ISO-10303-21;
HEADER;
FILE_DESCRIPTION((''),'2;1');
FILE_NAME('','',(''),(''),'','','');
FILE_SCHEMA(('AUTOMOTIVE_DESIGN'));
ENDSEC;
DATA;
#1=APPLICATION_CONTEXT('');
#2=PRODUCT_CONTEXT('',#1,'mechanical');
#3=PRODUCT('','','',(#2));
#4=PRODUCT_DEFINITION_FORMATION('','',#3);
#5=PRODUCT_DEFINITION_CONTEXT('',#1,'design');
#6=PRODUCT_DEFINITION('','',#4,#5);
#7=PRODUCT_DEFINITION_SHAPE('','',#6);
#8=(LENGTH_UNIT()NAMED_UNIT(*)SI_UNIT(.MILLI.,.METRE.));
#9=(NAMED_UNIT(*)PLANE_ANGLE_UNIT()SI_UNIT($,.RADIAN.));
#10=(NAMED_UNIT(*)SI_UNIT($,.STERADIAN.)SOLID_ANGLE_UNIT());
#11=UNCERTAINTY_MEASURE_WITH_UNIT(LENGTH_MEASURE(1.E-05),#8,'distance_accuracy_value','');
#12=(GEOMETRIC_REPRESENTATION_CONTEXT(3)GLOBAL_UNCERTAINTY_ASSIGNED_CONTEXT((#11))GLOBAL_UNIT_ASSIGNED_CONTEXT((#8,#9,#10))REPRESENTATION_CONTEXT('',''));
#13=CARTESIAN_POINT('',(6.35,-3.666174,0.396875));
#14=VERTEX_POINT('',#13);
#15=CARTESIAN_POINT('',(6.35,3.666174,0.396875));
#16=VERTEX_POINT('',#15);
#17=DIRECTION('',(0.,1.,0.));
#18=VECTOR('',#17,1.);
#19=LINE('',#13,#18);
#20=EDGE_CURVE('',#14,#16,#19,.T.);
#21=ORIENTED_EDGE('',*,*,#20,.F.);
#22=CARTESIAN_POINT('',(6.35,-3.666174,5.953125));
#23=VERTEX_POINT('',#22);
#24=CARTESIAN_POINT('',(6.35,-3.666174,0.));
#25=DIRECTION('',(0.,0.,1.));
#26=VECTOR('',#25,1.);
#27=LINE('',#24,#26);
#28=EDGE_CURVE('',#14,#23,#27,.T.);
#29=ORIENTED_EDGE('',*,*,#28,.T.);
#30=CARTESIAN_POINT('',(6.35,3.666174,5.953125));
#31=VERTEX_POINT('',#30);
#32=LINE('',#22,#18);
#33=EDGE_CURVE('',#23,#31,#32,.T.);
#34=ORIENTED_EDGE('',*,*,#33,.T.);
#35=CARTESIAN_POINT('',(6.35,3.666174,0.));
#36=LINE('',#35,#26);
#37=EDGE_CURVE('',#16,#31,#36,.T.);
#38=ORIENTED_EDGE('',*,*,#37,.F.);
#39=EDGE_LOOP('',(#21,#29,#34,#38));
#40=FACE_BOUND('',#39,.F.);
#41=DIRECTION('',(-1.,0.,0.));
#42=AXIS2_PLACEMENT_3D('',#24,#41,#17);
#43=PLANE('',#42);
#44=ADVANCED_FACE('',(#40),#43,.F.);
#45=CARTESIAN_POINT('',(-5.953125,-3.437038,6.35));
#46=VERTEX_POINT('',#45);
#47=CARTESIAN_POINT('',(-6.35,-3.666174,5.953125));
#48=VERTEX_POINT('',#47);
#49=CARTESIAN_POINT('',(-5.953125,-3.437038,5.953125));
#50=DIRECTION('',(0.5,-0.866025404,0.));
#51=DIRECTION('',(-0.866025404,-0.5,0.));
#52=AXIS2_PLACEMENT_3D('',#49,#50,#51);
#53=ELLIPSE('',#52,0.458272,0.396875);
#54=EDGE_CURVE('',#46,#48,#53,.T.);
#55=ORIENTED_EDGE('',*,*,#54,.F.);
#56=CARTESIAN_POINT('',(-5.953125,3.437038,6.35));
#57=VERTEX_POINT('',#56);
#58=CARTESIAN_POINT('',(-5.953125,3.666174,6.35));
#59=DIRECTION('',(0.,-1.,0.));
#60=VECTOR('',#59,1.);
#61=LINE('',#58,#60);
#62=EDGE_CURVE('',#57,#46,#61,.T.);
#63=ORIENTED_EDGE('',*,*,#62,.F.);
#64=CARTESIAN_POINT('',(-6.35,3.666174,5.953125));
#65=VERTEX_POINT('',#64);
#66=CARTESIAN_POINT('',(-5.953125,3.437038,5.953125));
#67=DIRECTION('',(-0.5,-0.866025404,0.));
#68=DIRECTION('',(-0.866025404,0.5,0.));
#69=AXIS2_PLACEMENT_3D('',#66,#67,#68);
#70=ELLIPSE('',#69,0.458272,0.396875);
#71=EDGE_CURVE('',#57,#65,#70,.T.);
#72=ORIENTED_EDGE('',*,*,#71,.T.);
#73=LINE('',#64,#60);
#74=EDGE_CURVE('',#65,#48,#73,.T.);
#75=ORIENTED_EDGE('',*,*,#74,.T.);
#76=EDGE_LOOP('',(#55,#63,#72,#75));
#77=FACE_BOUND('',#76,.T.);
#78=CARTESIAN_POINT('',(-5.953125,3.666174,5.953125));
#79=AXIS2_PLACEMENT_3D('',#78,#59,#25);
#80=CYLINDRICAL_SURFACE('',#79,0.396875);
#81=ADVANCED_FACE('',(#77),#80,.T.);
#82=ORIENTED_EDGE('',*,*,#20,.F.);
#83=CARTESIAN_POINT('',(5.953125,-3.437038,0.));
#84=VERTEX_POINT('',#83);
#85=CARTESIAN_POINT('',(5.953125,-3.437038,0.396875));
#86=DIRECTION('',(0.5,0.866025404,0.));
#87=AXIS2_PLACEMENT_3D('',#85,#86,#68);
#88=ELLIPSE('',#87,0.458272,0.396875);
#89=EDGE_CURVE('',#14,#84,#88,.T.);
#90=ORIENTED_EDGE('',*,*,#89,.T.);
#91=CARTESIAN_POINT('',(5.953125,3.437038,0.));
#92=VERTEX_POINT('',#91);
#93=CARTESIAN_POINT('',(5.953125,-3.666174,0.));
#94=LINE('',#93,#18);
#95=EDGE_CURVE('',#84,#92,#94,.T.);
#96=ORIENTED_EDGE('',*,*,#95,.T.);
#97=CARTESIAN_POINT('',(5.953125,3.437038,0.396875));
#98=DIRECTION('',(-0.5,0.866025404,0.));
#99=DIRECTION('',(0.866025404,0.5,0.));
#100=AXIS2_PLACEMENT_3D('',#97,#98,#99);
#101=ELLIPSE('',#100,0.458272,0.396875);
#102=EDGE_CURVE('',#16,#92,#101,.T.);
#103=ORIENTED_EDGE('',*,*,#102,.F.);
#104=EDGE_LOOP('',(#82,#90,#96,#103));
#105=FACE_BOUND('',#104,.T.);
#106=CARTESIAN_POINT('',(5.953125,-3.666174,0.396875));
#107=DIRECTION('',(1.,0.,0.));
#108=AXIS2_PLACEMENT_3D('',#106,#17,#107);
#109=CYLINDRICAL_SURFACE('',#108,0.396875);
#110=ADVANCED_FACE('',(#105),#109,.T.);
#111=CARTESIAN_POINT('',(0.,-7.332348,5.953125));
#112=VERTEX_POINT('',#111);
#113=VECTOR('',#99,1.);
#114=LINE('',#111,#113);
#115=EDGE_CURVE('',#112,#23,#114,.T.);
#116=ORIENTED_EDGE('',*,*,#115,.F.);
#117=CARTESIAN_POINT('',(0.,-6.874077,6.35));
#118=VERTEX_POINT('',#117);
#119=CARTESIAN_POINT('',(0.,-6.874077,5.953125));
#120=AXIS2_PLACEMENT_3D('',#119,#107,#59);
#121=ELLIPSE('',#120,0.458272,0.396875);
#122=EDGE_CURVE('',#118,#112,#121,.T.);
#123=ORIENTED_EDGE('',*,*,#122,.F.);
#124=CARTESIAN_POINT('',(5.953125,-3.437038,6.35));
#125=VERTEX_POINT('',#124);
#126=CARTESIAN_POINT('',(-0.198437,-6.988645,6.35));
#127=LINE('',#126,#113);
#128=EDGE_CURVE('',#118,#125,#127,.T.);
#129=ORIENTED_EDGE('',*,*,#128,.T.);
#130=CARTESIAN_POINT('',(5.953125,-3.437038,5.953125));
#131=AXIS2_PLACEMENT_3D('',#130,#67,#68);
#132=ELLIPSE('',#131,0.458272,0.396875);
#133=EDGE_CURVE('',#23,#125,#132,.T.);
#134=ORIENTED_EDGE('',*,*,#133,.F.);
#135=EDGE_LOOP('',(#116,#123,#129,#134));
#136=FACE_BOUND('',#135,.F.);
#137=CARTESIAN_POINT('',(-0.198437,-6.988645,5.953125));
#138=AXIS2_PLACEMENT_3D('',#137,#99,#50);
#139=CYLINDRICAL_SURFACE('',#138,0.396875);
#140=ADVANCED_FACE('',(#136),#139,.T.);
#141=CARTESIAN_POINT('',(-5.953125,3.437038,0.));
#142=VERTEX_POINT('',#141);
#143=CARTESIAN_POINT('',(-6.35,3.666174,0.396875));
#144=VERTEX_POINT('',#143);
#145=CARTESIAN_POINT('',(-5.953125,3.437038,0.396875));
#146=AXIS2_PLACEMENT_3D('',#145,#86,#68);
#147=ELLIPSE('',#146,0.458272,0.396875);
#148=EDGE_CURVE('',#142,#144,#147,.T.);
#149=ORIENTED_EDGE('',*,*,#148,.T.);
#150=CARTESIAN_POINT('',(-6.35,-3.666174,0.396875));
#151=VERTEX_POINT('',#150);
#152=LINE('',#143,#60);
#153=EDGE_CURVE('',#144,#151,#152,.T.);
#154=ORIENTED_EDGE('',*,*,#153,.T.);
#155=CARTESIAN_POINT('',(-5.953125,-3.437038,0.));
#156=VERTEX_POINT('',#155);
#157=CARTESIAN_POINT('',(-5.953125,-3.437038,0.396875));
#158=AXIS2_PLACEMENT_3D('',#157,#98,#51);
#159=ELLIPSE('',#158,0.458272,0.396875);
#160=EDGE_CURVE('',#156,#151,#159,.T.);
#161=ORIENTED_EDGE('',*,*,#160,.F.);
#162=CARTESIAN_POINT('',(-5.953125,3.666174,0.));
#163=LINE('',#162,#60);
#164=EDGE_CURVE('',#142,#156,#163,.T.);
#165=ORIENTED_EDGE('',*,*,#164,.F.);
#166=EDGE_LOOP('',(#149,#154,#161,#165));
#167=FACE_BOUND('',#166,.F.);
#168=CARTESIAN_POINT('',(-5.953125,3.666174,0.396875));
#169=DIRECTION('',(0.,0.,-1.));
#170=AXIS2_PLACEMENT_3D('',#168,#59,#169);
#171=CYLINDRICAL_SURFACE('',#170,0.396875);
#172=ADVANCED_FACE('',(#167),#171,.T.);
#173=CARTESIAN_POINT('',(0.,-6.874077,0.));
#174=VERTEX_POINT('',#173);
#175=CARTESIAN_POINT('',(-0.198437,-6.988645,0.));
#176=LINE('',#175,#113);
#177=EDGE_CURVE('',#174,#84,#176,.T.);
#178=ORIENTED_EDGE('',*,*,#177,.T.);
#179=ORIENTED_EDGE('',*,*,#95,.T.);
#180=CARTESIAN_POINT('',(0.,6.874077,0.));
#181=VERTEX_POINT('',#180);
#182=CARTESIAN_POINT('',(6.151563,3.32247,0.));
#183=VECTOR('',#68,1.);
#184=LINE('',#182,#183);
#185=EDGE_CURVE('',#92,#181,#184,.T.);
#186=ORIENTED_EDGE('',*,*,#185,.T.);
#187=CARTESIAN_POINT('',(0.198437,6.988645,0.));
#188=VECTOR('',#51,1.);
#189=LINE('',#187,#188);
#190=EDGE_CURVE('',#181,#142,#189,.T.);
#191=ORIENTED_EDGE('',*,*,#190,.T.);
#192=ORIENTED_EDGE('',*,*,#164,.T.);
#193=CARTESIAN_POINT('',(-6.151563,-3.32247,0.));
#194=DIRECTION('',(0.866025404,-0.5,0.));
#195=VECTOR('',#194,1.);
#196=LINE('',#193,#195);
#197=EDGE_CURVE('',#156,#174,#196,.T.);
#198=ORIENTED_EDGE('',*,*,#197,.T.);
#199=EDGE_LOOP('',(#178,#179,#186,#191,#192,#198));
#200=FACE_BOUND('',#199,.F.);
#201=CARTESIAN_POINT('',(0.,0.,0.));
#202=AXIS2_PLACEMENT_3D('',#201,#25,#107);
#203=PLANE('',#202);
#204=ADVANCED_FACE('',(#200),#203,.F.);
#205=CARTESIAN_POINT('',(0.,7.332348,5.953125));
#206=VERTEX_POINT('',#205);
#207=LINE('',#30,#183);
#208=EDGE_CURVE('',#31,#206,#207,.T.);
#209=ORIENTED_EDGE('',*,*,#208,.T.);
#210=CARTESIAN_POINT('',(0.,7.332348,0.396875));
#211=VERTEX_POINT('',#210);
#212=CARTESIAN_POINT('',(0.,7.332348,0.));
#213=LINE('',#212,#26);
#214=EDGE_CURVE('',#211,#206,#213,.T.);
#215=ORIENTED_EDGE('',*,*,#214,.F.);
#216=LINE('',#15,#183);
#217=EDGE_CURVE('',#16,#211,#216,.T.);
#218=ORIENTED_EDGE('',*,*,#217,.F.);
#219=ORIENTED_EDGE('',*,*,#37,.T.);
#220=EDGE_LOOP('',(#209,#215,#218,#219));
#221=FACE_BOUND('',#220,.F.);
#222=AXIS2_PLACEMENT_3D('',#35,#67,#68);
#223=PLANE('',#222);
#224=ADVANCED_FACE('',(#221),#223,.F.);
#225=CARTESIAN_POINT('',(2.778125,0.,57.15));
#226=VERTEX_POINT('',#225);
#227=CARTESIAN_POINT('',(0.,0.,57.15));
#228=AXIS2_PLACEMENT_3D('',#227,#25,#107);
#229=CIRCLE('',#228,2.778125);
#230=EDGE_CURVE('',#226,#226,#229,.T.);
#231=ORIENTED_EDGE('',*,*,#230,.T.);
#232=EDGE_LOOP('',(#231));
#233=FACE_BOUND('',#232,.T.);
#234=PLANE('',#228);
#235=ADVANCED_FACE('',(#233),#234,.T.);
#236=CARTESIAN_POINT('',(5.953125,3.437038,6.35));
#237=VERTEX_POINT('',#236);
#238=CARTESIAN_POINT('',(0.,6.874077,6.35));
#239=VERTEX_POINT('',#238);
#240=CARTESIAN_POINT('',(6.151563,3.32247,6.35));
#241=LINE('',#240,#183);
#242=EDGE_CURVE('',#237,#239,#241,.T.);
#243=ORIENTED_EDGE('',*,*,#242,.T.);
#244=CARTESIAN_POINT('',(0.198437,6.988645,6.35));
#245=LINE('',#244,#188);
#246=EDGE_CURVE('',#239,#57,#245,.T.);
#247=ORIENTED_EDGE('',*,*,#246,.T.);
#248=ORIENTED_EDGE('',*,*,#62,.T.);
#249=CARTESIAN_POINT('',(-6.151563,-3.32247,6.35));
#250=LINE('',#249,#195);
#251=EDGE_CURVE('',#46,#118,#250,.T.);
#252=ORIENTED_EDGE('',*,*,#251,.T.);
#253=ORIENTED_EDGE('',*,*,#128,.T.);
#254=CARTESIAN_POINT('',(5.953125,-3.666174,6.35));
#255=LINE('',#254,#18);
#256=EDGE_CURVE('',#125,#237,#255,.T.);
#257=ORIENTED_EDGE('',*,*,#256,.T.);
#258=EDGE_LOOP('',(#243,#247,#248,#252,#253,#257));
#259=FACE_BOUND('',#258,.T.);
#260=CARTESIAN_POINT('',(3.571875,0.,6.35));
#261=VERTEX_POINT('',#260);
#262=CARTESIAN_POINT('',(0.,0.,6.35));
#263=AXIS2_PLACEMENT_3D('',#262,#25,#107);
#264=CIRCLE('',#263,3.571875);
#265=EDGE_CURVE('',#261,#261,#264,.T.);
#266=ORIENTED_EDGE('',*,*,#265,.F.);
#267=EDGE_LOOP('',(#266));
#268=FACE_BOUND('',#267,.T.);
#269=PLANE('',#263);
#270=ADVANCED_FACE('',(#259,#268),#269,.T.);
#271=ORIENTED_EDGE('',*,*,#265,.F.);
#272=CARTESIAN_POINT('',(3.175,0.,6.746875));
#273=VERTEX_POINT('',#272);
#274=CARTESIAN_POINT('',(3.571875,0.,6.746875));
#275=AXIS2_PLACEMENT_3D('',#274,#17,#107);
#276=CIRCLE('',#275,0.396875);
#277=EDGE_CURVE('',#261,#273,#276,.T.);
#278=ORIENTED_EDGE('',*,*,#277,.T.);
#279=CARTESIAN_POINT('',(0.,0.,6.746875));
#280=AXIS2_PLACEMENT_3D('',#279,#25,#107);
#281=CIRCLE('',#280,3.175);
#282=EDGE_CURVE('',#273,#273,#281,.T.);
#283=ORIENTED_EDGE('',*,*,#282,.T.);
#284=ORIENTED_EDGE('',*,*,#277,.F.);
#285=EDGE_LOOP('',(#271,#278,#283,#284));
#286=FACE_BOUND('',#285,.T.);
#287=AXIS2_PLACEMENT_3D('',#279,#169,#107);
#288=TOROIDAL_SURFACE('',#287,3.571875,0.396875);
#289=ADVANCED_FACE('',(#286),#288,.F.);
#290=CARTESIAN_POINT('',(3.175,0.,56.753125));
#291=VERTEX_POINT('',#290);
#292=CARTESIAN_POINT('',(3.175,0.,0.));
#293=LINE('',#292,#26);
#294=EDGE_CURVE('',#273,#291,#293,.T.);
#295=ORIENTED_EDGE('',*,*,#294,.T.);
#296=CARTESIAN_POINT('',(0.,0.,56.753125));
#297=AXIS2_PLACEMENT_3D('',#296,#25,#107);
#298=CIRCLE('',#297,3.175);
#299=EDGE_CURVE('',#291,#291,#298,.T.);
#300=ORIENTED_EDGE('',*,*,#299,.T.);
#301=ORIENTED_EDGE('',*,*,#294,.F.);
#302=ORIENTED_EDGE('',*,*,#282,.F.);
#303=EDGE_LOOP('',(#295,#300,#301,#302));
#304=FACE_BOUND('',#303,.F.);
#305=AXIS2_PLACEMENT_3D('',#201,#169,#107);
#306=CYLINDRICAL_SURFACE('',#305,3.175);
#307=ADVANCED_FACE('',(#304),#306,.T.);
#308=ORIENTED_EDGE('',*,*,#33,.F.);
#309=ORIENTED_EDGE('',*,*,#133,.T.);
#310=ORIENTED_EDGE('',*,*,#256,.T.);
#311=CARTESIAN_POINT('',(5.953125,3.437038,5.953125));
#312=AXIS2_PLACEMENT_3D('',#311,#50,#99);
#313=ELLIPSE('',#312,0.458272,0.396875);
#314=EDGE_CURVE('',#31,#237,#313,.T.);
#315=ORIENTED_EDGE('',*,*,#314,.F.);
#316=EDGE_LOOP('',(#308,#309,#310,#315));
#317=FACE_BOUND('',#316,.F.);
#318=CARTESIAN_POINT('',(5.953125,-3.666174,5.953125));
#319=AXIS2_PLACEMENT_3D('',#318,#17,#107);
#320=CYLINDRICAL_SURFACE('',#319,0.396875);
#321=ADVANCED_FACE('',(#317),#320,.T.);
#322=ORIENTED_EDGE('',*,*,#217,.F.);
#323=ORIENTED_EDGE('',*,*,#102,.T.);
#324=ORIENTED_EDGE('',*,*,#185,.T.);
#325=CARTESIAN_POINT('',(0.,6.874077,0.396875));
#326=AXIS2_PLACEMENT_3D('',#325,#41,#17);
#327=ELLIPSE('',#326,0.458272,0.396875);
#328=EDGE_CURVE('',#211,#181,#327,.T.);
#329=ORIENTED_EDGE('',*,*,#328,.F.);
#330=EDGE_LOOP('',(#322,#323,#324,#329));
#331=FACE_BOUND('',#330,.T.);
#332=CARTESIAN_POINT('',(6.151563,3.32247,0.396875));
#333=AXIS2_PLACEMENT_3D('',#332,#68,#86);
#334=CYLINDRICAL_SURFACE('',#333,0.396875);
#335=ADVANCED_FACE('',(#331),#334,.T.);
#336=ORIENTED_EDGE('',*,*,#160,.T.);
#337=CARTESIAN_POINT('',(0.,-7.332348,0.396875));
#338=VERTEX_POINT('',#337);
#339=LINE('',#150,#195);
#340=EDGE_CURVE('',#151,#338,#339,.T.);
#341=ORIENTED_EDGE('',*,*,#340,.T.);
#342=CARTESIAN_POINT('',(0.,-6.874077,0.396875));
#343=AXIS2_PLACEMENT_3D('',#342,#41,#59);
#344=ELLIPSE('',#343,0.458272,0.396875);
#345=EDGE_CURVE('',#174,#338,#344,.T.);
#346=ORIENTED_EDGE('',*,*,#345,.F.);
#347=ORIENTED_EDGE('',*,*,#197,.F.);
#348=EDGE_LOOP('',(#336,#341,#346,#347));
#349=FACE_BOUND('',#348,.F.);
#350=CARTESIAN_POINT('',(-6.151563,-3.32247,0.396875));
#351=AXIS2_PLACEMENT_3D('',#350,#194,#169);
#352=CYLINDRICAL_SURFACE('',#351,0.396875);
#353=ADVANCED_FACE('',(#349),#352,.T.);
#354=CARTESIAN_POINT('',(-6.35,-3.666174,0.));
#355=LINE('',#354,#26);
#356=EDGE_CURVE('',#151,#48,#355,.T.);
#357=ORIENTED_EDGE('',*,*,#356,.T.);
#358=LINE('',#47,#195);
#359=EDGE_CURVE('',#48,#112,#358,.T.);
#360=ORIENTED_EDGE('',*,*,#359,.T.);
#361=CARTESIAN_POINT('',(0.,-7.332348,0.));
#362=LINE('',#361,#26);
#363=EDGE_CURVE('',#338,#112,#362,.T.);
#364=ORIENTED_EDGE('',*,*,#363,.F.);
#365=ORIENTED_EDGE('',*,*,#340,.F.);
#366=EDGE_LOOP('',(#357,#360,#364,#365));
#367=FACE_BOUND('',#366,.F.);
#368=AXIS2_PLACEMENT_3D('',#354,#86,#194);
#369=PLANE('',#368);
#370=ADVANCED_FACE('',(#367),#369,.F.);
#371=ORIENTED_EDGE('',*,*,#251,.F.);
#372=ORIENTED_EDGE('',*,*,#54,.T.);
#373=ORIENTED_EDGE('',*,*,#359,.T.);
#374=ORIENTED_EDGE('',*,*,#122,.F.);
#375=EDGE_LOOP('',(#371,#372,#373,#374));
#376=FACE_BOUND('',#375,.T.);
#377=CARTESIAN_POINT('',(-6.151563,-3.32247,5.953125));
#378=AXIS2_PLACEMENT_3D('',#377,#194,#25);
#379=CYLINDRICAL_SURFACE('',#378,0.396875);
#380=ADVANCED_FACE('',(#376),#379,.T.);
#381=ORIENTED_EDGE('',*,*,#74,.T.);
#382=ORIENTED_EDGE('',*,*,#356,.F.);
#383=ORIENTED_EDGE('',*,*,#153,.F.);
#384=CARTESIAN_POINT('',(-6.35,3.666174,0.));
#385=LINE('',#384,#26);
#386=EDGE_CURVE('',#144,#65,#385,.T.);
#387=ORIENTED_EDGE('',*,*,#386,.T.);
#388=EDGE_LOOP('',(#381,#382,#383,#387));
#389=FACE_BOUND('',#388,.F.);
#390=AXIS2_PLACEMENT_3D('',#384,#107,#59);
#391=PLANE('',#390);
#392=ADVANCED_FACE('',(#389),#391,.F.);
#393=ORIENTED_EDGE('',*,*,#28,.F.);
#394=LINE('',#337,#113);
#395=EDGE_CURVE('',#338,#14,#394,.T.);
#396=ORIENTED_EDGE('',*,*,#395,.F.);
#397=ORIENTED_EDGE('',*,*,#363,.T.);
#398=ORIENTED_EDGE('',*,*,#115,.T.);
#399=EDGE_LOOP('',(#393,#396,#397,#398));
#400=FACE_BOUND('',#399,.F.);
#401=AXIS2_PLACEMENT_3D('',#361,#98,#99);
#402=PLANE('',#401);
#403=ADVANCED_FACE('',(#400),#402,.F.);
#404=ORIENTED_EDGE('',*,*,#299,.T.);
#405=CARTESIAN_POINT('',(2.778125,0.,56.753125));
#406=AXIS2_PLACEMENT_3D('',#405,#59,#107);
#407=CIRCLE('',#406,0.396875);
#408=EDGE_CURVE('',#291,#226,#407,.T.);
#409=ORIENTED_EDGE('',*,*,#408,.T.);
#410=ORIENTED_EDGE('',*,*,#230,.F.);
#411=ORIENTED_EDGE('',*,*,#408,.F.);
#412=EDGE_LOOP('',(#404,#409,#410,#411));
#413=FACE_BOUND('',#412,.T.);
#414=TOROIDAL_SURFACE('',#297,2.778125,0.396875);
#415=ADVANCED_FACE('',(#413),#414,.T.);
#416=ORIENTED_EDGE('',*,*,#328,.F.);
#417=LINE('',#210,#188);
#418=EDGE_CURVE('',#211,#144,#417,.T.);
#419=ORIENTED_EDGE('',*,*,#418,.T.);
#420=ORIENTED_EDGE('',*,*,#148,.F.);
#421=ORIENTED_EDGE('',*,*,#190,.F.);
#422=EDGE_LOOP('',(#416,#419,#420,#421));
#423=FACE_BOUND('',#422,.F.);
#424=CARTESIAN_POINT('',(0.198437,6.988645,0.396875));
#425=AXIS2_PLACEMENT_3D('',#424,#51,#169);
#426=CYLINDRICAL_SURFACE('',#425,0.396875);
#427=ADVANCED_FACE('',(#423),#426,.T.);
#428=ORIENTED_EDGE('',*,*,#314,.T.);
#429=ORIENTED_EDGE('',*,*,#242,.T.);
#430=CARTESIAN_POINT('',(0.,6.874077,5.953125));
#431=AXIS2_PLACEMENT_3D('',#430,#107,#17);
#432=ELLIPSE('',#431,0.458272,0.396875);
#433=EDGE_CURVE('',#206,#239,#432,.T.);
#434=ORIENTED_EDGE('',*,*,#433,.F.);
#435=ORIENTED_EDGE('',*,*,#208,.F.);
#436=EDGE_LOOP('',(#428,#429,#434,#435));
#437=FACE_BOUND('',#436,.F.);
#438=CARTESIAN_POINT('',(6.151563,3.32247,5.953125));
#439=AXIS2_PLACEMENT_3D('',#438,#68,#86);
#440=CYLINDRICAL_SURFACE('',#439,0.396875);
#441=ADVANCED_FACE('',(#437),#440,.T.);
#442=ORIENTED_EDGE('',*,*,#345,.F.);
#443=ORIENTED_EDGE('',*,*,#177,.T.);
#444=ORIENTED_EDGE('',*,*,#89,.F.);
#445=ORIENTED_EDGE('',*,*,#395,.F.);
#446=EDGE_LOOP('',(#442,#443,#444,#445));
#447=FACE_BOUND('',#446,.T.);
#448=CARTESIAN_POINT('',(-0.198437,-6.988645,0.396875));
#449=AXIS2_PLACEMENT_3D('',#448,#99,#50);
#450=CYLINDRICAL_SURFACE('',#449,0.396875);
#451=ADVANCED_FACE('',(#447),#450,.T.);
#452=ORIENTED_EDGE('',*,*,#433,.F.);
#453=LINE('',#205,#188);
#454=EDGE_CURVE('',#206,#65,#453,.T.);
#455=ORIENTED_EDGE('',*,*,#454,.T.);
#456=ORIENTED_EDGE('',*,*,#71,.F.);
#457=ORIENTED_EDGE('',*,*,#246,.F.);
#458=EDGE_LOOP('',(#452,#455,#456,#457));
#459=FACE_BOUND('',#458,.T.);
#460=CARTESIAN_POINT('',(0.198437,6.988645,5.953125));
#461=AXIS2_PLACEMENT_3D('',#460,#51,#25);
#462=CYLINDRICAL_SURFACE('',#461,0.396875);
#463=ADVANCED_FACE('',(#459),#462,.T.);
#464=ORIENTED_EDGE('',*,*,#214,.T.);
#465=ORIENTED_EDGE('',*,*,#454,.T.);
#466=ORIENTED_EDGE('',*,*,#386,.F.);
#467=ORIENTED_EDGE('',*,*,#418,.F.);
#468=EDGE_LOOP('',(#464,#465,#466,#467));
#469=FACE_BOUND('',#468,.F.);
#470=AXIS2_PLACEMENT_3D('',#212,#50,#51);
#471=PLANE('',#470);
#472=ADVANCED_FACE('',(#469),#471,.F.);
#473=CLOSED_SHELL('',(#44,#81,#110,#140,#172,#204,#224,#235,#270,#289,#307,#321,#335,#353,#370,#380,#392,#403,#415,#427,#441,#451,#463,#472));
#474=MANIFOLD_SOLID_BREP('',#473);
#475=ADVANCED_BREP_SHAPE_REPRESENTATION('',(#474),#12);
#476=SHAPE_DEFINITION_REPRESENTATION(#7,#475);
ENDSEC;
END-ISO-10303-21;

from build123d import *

# Parameters (mm, degrees)
F0_R     = 3.175
F1_DEPTH = 57.15
F2_DEPTH = 6.35
F3_R     = 0.396875


with BuildPart() as f1:
    # F0 (on Top) → F1 (new body)
    with BuildSketch(Plane.XY):
        Circle(F0_R)
    extrude(amount=F1_DEPTH)

    # F0 (on Top) → F2 (join)
    with BuildSketch(Plane.XY):
        Polygon((6.35, -3.6661742094), (6.35, 3.6661742094), (0, 7.3323484187), (-6.35, 3.6661742094), (-6.35, -3.6661742094), (0, -7.3323484187), align=None)
        Circle(F0_R, mode=Mode.SUBTRACT)
    extrude(amount=F2_DEPTH)

    # F3
    f3_edges = [f1.edges().sort_by_distance(p)[0] for p in [
        (6.35, 0, 6.35),
        (3.175, 5.499261, 6.35),
        (-3.175, 5.499261, 6.35),
        (-6.35, 0, 6.35),
        (-3.175, -5.499261, 6.35),
        (3.175, -5.499261, 6.35),
        (-3.175, 0, 6.35),
        (6.35, 0, 0),
        (3.175, 5.499261, 0),
        (-3.175, 5.499261, 0),
        (-6.35, 0, 0),
        (-3.175, -5.499261, 0),
        (3.175, -5.499261, 0),
        (-3.175, 0, 57.15),
    ]]
    fillet(f3_edges, radius=F3_R)


solid = f1.part
